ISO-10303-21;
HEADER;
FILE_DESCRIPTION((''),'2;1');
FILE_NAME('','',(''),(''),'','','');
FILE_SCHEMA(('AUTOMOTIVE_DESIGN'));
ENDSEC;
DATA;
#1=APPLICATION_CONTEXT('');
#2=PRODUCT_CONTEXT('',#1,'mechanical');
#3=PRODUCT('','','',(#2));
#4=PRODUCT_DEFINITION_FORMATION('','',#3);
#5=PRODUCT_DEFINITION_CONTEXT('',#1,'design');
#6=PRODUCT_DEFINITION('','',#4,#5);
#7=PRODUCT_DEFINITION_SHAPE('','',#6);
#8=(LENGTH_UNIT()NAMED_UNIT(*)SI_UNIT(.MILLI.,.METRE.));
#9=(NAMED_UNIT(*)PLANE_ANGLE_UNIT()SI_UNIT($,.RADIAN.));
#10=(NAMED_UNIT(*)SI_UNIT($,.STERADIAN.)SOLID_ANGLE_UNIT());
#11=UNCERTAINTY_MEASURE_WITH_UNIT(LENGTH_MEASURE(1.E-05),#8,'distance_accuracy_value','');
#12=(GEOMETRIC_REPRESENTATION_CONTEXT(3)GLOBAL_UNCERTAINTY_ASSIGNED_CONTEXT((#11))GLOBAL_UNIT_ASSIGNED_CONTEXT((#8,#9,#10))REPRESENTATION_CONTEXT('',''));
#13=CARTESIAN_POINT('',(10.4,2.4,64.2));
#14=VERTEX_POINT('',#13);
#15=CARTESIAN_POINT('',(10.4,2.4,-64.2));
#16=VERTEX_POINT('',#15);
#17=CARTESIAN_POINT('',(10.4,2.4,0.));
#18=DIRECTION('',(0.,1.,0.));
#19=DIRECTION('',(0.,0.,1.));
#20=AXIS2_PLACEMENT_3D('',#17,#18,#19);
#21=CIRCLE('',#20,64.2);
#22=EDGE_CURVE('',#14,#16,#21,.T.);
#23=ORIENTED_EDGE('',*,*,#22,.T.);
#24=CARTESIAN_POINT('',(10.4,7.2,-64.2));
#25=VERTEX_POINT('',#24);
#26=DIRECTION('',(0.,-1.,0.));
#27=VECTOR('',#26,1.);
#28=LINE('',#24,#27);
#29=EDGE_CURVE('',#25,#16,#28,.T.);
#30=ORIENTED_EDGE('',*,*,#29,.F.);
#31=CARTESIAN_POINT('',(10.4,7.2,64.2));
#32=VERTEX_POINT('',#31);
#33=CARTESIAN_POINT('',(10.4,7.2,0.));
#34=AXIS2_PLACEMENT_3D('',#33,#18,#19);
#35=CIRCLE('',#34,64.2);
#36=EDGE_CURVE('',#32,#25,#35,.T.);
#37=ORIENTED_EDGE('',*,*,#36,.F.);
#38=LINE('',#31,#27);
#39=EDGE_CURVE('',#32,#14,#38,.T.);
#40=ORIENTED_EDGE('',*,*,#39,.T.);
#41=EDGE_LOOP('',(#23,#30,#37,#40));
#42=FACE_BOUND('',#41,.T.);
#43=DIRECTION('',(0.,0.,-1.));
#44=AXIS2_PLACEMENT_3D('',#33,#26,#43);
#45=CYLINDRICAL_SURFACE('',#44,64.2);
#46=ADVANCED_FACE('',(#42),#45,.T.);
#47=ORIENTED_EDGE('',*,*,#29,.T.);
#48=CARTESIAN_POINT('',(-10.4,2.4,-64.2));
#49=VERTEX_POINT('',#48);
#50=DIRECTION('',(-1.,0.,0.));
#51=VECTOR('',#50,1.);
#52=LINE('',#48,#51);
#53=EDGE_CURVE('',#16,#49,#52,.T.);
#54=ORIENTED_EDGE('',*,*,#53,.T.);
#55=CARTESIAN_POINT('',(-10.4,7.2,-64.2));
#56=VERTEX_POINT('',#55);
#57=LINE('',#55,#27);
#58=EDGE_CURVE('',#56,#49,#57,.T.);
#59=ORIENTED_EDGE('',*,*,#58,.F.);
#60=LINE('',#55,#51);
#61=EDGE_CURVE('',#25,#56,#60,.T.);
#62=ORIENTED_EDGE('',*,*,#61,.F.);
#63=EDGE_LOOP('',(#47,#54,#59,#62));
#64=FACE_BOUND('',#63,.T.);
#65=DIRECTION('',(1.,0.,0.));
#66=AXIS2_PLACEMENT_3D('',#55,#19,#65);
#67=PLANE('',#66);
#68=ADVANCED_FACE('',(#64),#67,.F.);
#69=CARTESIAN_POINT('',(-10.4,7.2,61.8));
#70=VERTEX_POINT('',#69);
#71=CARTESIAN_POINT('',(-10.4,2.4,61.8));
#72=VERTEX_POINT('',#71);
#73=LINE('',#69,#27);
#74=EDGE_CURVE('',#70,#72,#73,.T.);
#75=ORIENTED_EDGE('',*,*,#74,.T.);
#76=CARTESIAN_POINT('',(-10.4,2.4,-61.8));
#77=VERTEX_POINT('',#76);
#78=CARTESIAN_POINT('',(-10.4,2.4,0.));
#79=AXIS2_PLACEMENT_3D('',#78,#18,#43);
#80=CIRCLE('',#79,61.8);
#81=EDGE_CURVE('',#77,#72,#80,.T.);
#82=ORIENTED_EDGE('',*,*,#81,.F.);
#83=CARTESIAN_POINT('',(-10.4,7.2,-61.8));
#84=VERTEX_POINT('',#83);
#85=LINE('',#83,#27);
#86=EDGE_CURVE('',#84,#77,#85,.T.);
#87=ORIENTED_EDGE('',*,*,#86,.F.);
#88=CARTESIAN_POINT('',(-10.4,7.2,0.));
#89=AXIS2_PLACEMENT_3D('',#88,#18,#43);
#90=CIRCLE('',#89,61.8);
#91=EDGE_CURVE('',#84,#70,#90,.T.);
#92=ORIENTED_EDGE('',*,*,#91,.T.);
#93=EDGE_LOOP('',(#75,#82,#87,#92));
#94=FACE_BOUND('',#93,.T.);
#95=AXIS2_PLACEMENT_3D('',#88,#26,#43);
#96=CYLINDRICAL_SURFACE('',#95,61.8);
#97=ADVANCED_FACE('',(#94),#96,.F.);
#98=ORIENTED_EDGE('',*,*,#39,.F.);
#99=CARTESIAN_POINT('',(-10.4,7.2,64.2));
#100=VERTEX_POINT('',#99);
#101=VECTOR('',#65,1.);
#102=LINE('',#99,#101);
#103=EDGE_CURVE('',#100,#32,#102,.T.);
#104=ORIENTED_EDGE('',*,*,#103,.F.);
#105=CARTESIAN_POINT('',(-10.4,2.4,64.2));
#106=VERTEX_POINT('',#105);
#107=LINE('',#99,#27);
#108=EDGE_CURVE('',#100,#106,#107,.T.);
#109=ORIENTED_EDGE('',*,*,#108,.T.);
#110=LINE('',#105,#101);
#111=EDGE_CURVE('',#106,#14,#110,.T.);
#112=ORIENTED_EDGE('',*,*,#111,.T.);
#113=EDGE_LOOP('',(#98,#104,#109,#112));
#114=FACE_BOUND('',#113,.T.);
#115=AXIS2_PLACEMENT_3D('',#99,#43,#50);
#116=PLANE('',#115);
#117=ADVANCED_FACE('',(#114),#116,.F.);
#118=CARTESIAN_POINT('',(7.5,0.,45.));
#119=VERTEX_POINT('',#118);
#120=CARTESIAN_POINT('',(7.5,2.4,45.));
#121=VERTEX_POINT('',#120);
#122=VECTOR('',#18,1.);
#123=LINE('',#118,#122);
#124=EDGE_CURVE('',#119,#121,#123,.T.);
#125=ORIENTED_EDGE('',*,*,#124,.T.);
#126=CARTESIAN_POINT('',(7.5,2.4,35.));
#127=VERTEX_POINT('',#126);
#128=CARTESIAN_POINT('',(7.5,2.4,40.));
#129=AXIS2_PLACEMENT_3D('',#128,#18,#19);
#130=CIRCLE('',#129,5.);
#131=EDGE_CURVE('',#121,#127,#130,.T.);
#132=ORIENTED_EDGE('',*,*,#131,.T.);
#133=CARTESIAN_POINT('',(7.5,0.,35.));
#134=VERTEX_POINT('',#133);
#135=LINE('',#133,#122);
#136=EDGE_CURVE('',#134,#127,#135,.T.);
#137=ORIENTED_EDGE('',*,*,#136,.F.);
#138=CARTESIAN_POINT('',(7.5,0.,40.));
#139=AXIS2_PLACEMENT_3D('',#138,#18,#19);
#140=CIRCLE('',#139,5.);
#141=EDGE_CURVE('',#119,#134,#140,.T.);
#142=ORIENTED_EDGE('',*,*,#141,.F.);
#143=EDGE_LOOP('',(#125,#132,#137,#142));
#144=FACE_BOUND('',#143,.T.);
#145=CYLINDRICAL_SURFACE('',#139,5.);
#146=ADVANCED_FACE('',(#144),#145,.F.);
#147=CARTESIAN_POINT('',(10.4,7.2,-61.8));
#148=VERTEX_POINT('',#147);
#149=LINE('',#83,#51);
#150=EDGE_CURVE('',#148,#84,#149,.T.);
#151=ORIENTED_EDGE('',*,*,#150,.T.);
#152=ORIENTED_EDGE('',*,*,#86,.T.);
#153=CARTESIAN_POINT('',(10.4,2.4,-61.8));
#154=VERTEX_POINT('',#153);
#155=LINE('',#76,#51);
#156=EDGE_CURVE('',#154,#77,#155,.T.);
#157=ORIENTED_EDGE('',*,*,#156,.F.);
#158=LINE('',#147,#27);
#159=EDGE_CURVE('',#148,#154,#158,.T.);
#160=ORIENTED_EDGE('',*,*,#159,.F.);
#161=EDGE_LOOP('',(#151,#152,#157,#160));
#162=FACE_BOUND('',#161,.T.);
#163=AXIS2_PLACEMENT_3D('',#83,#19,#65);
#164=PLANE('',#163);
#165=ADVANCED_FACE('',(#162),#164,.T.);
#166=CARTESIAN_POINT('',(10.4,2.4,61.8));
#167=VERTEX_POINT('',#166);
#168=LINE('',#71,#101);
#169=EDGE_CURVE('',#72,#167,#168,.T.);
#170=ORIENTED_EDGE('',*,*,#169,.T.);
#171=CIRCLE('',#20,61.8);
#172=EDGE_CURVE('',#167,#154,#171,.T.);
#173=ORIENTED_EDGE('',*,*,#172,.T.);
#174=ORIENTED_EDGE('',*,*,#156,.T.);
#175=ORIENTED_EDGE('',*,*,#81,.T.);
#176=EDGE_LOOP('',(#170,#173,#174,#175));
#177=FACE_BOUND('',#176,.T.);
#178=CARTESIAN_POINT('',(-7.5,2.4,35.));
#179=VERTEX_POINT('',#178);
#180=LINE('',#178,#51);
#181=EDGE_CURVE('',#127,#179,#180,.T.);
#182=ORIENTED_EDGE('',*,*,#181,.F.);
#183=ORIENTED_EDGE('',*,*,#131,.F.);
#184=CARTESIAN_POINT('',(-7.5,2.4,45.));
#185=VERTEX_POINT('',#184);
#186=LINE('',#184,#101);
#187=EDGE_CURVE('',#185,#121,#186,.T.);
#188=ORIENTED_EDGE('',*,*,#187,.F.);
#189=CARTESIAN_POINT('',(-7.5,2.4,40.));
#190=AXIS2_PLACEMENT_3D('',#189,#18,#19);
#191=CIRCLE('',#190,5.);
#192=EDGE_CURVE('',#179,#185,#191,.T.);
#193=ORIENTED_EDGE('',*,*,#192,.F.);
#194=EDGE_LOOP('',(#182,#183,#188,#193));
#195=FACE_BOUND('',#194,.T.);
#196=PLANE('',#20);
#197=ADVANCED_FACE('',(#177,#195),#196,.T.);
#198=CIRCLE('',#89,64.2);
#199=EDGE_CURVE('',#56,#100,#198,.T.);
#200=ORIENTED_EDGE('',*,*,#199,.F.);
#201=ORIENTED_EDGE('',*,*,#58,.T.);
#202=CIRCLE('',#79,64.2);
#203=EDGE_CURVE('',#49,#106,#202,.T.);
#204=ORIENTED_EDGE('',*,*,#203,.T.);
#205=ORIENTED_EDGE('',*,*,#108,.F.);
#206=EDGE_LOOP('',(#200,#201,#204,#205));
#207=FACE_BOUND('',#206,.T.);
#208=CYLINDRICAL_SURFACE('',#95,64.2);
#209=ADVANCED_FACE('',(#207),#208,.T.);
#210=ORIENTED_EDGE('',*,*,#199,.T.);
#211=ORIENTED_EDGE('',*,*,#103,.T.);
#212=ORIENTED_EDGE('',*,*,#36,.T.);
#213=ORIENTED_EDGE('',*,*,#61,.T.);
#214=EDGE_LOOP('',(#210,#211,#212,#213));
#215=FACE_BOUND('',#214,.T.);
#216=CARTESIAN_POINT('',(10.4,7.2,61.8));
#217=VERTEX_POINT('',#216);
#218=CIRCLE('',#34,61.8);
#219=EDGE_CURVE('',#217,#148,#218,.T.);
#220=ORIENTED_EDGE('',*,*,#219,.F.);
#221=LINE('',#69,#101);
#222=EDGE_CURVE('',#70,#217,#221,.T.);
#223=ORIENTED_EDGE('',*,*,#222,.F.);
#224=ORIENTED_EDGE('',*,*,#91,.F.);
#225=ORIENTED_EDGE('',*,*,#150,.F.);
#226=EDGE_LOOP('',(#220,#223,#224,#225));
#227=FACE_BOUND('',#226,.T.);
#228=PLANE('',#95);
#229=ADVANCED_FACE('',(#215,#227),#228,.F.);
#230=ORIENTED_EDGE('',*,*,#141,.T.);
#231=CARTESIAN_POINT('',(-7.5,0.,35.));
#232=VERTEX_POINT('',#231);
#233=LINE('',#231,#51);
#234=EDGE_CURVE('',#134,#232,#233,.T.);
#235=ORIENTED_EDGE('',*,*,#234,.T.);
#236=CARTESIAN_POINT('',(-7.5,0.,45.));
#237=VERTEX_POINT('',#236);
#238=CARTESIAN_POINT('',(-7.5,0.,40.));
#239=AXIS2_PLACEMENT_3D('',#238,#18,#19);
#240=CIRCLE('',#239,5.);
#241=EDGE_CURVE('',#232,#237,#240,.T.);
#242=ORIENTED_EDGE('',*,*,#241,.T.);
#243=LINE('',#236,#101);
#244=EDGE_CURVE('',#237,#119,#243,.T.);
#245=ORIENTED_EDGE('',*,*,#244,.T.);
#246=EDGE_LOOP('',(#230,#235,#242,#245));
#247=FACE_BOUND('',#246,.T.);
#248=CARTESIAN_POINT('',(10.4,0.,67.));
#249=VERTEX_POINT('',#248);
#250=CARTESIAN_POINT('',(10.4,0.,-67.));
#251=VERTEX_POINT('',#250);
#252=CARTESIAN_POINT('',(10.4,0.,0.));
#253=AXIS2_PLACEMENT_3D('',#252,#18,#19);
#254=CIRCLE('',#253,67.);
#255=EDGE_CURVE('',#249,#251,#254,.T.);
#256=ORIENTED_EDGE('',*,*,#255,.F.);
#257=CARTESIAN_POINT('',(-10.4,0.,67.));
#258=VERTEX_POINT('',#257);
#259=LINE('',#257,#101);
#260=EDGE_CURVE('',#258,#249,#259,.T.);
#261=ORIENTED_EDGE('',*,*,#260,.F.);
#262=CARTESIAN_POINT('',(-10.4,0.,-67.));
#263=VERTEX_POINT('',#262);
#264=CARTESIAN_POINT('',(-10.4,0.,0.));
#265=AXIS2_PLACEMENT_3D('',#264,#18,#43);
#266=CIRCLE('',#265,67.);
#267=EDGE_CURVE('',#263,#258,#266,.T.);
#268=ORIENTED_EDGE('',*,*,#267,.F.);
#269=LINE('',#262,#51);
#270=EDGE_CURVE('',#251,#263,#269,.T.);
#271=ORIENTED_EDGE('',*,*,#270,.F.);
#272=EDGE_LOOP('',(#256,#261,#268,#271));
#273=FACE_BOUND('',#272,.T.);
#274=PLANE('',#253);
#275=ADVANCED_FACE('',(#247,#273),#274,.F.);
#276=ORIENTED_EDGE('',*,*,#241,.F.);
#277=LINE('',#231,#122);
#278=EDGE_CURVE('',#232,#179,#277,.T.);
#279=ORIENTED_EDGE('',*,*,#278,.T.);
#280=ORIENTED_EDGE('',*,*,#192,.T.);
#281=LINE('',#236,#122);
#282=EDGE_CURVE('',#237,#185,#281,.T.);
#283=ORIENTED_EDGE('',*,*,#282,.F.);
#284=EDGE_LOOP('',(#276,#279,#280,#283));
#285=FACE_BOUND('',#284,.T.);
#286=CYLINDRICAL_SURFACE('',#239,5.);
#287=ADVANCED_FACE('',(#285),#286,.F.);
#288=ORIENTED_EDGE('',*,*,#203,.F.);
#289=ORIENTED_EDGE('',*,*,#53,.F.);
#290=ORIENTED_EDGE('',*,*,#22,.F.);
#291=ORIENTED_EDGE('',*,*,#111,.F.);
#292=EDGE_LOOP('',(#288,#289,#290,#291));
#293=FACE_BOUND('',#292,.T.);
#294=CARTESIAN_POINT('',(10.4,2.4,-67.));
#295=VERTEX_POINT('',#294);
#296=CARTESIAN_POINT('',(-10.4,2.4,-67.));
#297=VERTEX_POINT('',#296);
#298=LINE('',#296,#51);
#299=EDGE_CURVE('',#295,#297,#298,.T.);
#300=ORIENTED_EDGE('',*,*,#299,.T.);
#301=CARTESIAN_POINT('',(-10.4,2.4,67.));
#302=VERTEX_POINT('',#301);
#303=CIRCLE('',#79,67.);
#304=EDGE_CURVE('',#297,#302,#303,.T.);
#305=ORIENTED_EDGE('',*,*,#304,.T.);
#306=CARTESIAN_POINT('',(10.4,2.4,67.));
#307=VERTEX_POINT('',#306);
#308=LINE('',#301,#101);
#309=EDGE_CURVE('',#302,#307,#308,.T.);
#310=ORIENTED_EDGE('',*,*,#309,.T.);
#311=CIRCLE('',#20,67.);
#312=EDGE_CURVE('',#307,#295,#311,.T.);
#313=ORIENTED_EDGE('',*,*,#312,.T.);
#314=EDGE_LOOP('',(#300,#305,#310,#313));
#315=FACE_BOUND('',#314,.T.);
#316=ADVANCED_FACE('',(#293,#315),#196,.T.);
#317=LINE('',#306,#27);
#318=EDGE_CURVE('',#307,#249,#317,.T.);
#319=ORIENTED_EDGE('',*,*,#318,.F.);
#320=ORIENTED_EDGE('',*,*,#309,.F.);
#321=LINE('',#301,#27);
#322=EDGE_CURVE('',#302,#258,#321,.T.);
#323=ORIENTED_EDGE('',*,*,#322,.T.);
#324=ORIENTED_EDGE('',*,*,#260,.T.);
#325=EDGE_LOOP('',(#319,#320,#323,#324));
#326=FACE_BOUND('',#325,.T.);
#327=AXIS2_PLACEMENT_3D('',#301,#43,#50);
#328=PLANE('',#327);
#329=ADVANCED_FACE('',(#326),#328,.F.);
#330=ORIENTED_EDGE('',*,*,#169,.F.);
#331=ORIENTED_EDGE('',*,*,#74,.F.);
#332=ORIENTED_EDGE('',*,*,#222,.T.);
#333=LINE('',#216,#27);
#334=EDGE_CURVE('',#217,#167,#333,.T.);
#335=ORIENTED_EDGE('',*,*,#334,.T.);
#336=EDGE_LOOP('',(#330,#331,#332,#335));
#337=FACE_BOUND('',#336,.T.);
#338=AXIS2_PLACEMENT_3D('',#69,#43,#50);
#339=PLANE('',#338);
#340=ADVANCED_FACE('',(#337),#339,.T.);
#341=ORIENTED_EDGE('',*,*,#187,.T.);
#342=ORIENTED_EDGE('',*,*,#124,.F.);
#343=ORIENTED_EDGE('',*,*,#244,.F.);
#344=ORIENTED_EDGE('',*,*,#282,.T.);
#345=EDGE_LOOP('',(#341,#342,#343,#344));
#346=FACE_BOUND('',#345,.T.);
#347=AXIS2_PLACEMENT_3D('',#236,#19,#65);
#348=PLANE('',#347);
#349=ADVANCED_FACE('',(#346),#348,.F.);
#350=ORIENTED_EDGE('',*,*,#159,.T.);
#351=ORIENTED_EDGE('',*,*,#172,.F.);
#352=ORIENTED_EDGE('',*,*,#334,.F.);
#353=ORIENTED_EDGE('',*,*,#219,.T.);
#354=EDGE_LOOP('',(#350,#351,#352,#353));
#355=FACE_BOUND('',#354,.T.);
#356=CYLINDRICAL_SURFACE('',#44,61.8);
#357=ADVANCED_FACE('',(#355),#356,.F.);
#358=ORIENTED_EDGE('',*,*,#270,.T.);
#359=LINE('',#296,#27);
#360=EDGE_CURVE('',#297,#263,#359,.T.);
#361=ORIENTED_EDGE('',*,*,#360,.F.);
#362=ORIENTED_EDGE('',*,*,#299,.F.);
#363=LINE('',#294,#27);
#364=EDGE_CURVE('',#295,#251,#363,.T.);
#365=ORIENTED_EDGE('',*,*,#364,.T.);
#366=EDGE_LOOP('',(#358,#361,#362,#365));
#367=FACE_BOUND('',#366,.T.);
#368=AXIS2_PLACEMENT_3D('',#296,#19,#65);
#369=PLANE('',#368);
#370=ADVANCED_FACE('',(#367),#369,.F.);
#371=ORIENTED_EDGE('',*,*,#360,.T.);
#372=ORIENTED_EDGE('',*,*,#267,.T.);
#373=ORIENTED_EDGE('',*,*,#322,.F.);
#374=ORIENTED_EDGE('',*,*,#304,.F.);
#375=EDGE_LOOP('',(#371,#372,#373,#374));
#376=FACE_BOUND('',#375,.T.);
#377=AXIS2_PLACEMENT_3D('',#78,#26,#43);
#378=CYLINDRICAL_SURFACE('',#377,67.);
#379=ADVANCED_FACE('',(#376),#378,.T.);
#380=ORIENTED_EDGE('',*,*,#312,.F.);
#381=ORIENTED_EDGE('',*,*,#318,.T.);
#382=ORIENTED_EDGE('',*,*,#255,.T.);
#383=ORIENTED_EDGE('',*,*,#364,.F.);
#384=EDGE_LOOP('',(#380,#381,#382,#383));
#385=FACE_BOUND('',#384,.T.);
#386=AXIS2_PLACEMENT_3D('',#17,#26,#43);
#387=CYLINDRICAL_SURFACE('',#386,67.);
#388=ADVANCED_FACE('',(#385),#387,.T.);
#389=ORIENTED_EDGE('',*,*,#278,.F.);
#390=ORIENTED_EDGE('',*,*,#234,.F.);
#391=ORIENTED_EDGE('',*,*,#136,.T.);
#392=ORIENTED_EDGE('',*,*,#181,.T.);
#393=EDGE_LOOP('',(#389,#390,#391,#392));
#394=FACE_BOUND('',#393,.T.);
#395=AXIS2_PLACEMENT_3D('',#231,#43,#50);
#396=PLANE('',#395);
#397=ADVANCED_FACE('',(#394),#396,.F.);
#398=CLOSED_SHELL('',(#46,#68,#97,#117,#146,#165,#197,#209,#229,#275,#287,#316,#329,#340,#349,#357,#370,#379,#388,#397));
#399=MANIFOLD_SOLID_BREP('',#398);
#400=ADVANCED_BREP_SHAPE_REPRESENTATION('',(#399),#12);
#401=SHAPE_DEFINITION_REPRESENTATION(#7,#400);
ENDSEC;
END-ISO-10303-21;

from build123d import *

# Parameters (mm, degrees)
BOSS_EXTRUDE1_DEPTH = 2.4
BOSS_EXTRUDE2_DEPTH = 4.8
CUT_EXTRUDE1_DEPTH  = 103.48316935


with BuildPart() as part:
    # Sketch1 → Boss-Extrude1 (new body)
    with BuildSketch(Plane(origin=(0, 0, 0), x_dir=(1, 0, 0), z_dir=(0, 1, 0))):
        with BuildLine():
            Line((-10.4, 67), (10.4, 67))
            ThreePointArc((10.4, 67), (77.4, 0), (10.4, -67))
            Line((10.4, -67), (-10.4, -67))
            ThreePointArc((-10.4, -67), (-77.4, 0), (-10.4, 67))
        make_face()
    extrude(amount=BOSS_EXTRUDE1_DEPTH)

    # Sketch2 → Boss-Extrude2 (add)
    with BuildSketch(Plane(origin=(0, 2.4, 0), x_dir=(1, 0, 0), z_dir=(0, 1, 0))):
        with BuildLine():
            Line((-10.4, 64.2), (10.4, 64.2))
            ThreePointArc((10.4, 64.2), (74.6, 0), (10.4, -64.2))
            Line((10.4, -64.2), (-10.4, -64.2))
            ThreePointArc((-10.4, -64.2), (-74.6, 0), (-10.4, 64.2))
        make_face()
        with BuildLine():
            Line((-10.4, 61.8), (10.4, 61.8))
            ThreePointArc((10.4, 61.8), (72.2, 0), (10.4, -61.8))
            Line((10.4, -61.8), (-10.4, -61.8))
            ThreePointArc((-10.4, -61.8), (-72.2, 0), (-10.4, 61.8))
        make_face(mode=Mode.SUBTRACT)
    extrude(amount=BOSS_EXTRUDE2_DEPTH)

    # Sketch3 → Cut-Extrude1 (cut, through all)
    with BuildSketch(Plane(origin=(0, 2.4, 0), x_dir=(1, 0, 0), z_dir=(0, 1, 0))):
        with BuildLine():
            Line((-7.5, -35), (7.5, -35))
            ThreePointArc((7.5, -35), (12.5, -40), (7.5, -45))
            Line((7.5, -45), (-7.5, -45))
            ThreePointArc((-7.5, -45), (-12.5, -40), (-7.5, -35))
        make_face()
    extrude(amount=-CUT_EXTRUDE1_DEPTH, mode=Mode.SUBTRACT)


solid = part.part
